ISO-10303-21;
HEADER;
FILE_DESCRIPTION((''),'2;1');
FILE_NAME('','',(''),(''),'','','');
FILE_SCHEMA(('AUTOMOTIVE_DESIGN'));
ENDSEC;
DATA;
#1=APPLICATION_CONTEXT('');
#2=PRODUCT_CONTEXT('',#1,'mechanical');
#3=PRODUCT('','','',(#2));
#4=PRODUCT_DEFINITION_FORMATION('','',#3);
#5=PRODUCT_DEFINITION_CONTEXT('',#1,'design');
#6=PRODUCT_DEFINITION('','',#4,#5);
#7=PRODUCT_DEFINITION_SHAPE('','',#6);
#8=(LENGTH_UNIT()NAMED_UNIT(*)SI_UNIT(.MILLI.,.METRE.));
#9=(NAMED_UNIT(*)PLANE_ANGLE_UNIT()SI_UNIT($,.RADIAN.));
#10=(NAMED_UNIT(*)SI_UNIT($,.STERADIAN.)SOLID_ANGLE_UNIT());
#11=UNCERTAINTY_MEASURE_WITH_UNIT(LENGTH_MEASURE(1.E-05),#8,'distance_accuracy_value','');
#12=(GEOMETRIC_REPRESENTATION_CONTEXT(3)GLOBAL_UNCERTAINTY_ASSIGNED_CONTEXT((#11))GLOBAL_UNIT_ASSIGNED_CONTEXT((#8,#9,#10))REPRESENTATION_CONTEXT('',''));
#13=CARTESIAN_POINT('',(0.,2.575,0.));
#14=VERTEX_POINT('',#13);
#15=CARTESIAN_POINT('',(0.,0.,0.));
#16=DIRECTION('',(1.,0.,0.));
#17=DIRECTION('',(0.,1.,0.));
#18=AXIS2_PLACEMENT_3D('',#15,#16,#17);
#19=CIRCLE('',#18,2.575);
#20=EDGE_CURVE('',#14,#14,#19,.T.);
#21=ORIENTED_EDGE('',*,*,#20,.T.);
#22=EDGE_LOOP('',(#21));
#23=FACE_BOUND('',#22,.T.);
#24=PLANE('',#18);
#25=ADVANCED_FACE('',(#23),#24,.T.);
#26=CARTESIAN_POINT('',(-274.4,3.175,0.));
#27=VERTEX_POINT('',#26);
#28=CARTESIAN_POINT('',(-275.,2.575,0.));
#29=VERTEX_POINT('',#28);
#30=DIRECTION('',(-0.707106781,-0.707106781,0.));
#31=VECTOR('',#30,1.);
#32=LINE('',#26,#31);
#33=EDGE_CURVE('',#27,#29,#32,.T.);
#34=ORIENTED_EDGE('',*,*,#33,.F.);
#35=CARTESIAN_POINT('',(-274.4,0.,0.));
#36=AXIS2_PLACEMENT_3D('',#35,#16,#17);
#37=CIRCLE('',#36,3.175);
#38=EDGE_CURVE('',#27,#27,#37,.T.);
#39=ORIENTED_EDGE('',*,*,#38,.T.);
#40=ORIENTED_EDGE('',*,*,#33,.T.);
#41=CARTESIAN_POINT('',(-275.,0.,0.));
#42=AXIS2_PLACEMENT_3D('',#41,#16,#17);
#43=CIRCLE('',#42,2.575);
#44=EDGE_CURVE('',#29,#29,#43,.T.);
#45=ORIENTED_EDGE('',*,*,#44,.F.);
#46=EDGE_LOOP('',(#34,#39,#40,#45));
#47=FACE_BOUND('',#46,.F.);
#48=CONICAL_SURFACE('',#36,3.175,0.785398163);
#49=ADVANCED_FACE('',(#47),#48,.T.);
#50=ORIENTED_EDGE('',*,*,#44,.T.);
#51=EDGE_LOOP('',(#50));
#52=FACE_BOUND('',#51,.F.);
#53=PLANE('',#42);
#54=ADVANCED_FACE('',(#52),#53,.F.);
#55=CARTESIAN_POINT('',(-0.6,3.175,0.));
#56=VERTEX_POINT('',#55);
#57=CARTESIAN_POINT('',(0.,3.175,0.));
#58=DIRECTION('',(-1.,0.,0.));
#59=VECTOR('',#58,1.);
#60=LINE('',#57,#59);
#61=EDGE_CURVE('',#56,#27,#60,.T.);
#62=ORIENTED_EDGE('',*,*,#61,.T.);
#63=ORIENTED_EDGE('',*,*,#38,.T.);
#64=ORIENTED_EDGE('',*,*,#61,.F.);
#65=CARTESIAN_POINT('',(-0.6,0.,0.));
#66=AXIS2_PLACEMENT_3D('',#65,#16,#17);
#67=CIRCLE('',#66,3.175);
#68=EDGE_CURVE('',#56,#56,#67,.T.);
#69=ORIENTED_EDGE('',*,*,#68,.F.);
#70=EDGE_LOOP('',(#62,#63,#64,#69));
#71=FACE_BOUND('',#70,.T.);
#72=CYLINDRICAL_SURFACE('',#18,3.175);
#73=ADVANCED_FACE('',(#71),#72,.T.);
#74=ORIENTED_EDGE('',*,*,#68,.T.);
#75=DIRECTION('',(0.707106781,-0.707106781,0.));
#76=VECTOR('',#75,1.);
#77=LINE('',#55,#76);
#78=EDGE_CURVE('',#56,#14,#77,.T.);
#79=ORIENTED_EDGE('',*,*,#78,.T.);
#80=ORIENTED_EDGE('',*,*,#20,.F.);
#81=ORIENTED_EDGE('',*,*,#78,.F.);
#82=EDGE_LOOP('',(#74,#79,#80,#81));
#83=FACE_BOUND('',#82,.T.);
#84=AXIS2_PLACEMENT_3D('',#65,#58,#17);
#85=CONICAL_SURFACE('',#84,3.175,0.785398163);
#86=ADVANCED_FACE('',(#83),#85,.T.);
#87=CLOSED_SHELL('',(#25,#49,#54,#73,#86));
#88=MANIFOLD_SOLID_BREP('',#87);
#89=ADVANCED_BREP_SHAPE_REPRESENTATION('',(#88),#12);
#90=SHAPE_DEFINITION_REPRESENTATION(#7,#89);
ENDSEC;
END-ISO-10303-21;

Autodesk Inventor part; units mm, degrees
ref_plane "YZ Plane" through (0, 0, 0) normal (1, 0, 0) x (0, 1, 0)
ref_plane "XZ Plane" through (0, 0, 0) normal (0, 1, 0) x (-1, 0, 0)
ref_plane "XY Plane" through (0, 0, 0) normal (0, 0, 1) x (1, 0, 0)
sketch "Sketch1" plane through (0, 0, 0) normal (1, 0, 0) x (0, 1, 0)
  circle A0 centre (0, 0) radius 3.175
  dimension "d0" = 6.35
extrude "Extrusion1" add sketch "Sketch1" against normal blind 275
chamfer "Chamfer1" distance 0.6 angle 45 2 edges at (0, -3.175, 0) (-275, -3.175, 0)
properties part number "M6.35 x 265mm Aluminum Rod"
